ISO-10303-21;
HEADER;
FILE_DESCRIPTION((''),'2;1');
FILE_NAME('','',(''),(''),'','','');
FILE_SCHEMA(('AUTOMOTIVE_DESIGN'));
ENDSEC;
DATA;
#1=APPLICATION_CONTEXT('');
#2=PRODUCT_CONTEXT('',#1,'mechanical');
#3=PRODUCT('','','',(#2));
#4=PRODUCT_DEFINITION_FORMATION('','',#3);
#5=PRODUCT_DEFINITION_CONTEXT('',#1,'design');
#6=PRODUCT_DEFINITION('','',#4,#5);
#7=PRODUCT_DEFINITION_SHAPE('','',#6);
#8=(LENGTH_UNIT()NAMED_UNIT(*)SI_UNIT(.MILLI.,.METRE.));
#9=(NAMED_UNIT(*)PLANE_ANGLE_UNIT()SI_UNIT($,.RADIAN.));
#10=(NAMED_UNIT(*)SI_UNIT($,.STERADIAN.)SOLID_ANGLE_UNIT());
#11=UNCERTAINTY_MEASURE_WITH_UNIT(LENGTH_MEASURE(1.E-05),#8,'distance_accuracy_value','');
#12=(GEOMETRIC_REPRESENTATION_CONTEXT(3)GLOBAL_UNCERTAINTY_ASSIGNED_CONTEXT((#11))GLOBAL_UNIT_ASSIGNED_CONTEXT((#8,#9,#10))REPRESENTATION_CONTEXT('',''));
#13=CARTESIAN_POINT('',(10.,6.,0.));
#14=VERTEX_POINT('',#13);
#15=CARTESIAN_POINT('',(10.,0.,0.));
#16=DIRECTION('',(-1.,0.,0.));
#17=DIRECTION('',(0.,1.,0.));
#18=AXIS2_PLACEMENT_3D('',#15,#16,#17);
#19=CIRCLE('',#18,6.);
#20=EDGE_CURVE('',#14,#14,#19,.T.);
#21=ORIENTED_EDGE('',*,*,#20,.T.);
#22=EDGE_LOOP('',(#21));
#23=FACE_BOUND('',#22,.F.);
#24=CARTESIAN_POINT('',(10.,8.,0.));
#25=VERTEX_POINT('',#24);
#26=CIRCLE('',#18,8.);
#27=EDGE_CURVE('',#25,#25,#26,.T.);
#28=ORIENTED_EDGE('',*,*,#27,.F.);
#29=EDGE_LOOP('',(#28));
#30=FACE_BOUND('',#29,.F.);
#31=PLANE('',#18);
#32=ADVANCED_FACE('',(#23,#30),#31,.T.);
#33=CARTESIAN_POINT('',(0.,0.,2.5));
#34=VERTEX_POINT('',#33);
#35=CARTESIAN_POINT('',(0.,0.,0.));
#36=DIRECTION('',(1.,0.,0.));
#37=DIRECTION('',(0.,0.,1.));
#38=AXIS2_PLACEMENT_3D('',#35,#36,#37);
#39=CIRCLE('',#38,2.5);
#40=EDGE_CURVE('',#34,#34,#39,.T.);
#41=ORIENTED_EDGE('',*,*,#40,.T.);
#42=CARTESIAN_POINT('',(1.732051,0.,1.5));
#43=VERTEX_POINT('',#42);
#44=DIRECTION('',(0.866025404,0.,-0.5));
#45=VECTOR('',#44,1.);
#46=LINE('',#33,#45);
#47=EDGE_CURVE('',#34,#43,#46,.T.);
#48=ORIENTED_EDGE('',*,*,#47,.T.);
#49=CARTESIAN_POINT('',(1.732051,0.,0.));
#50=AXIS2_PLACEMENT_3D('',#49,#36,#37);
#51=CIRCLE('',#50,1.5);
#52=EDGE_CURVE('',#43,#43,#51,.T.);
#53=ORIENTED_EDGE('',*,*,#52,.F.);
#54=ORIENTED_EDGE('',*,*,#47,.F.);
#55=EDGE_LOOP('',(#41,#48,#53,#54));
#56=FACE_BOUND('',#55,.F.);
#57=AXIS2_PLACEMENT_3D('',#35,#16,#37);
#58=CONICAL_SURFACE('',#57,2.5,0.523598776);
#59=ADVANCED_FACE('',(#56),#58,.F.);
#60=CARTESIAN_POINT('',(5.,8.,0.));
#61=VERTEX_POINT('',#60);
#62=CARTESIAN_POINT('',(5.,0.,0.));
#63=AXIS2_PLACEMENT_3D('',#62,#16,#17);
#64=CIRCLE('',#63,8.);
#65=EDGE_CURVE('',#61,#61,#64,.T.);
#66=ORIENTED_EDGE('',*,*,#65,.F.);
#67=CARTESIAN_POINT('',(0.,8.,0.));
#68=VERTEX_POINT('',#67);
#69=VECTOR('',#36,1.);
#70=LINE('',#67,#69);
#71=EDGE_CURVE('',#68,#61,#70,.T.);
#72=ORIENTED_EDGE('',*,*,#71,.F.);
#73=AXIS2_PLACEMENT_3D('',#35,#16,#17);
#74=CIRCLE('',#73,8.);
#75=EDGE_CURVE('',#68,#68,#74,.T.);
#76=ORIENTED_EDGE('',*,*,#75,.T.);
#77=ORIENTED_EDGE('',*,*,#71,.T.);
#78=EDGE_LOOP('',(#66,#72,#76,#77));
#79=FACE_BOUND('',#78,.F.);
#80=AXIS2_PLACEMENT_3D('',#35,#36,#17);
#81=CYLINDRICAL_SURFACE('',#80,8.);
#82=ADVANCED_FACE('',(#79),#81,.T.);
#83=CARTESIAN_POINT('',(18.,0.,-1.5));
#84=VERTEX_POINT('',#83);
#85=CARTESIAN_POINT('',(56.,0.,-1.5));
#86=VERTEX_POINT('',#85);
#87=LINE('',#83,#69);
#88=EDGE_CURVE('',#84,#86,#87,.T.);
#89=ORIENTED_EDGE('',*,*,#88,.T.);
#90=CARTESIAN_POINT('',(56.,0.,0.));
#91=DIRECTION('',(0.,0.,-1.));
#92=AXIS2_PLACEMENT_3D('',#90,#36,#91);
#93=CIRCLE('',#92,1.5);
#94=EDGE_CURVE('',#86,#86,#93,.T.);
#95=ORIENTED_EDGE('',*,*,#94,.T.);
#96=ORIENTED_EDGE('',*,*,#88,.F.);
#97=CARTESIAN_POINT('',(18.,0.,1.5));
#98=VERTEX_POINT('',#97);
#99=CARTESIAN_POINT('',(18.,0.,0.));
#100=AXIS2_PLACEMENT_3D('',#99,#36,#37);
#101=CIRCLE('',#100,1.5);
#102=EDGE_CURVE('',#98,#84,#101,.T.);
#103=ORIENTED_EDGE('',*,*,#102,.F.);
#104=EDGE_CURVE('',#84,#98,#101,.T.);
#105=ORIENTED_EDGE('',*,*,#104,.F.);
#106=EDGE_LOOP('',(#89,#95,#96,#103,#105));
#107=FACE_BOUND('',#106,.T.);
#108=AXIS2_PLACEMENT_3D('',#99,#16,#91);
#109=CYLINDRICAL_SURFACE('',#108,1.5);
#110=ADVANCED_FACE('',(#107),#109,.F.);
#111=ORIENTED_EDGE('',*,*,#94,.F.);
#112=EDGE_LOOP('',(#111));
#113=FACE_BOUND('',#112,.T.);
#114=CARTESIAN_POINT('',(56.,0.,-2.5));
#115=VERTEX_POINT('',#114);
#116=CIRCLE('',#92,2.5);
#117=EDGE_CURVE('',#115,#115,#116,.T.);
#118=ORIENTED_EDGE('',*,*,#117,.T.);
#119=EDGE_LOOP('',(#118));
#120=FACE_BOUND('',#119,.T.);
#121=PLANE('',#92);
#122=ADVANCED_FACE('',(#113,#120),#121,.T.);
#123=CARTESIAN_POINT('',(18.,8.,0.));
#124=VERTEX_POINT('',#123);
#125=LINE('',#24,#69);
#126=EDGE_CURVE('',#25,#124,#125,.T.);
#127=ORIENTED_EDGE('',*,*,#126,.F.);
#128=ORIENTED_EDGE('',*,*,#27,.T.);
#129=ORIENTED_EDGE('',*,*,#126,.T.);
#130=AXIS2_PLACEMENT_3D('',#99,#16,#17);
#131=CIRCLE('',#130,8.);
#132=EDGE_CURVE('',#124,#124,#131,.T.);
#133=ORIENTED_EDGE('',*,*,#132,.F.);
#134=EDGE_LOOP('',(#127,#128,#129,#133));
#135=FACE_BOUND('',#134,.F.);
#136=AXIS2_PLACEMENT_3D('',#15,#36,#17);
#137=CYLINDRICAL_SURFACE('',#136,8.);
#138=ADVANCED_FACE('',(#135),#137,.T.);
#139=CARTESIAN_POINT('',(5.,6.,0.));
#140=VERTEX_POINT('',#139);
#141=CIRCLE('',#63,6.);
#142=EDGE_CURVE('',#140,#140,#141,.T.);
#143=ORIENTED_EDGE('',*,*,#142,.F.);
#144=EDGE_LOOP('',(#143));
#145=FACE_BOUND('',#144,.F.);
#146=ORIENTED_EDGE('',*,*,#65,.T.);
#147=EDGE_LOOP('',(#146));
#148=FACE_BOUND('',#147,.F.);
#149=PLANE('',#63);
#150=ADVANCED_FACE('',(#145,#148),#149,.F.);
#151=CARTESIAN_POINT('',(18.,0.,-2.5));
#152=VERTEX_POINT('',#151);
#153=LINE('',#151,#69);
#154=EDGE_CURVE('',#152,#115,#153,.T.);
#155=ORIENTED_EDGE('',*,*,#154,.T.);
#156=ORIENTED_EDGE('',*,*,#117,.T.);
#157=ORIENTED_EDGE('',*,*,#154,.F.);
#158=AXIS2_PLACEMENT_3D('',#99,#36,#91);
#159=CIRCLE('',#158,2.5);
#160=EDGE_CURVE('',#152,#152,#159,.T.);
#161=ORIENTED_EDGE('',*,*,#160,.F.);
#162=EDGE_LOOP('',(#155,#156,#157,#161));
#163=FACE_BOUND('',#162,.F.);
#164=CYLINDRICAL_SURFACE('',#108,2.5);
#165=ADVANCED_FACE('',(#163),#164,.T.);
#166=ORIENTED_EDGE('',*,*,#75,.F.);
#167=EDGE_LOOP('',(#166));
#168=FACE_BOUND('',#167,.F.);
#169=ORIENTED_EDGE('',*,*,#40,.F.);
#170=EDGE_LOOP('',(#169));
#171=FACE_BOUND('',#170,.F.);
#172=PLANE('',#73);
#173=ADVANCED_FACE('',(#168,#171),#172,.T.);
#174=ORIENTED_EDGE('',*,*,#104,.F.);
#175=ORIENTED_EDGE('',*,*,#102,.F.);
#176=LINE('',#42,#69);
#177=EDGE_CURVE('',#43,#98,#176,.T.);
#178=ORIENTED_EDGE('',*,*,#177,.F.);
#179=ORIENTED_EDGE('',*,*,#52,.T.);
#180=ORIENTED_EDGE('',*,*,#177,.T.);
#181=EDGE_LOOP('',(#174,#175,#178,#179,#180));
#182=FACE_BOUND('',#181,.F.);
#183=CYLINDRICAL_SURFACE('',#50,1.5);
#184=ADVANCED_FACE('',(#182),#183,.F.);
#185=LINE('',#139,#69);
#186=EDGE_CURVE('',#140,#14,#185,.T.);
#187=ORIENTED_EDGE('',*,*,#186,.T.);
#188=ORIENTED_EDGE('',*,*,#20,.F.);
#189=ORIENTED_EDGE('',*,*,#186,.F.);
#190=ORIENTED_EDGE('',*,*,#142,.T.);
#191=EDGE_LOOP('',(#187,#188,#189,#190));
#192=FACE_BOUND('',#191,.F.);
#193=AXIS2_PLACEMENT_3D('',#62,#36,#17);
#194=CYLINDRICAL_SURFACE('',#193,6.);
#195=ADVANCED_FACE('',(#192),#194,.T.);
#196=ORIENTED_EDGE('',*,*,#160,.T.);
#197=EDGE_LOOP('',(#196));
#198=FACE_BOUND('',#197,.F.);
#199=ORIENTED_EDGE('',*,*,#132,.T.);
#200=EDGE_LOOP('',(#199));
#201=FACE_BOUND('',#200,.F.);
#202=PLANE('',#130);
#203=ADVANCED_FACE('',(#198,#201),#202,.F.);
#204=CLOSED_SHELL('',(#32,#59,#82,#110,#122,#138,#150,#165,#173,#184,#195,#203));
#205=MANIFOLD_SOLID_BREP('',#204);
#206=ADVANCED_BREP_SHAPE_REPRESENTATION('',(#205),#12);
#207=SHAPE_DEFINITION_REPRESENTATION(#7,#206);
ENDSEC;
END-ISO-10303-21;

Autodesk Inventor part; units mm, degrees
ref_plane "YZ Plane" through (0, 0, 0) normal (1, 0, 0) x (0, 1, 0)
ref_plane "XZ Plane" through (0, 0, 0) normal (0, 1, 0) x (-1, 0, 0)
ref_plane "XY Plane" through (0, 0, 0) normal (0, 0, 1) x (1, 0, 0)
sketch "Sketch1" plane through (0, 0, 0) normal (0, 0, 1) x (1, 0, 0)
  line L0 (0, 0) -> (0, 8)
  line L1 (0, 8) -> (5, 8)
  line L2 (5, 8) -> (5, 6)
  line L3 (5, 6) -> (10, 6)
  line L4 (10, 6) -> (10, 8)
  line L5 (10, 8) -> (18, 8)
  line L6 (18, 8) -> (18, 0)
  line L7 (18, 0) -> (0, 0)
  dimension "d0" = 18
  dimension "d1" = 5
  dimension "d2" = 5
  dimension "d3" = 2
  dimension "d4" = 8
revolve "Revolution1" add sketch "Sketch1" angle 360 about axis through (18, 0, 0) along (-1, 0, 0)
sketch "Sketch2" plane through (0, 0, 0) normal (-1, 0, 0) x (0, 0, 1)
  circle A0 centre (0, 0) radius 8 projected
hole "Hole1" at (0, 0, 0) direction (1, 0, 0) diameter 3 end through all countersink diameter 5 countersink angle 60
sketch "Sketch3" plane through (18, 0, 0) normal (1, 0, 0) x (0, 0, -1)
  circle A0 centre (0, 0) radius 1.5 projected
  circle A1 centre (0, 0) radius 8 projected
  circle A2 centre (0, 0) radius 2.5
  dimension "d13" = 5
extrude "Extrusion1" add sketch "Sketch3" along normal blind 38 contours A2
properties part number "hotend_mount" material "Aluminum 6061"
